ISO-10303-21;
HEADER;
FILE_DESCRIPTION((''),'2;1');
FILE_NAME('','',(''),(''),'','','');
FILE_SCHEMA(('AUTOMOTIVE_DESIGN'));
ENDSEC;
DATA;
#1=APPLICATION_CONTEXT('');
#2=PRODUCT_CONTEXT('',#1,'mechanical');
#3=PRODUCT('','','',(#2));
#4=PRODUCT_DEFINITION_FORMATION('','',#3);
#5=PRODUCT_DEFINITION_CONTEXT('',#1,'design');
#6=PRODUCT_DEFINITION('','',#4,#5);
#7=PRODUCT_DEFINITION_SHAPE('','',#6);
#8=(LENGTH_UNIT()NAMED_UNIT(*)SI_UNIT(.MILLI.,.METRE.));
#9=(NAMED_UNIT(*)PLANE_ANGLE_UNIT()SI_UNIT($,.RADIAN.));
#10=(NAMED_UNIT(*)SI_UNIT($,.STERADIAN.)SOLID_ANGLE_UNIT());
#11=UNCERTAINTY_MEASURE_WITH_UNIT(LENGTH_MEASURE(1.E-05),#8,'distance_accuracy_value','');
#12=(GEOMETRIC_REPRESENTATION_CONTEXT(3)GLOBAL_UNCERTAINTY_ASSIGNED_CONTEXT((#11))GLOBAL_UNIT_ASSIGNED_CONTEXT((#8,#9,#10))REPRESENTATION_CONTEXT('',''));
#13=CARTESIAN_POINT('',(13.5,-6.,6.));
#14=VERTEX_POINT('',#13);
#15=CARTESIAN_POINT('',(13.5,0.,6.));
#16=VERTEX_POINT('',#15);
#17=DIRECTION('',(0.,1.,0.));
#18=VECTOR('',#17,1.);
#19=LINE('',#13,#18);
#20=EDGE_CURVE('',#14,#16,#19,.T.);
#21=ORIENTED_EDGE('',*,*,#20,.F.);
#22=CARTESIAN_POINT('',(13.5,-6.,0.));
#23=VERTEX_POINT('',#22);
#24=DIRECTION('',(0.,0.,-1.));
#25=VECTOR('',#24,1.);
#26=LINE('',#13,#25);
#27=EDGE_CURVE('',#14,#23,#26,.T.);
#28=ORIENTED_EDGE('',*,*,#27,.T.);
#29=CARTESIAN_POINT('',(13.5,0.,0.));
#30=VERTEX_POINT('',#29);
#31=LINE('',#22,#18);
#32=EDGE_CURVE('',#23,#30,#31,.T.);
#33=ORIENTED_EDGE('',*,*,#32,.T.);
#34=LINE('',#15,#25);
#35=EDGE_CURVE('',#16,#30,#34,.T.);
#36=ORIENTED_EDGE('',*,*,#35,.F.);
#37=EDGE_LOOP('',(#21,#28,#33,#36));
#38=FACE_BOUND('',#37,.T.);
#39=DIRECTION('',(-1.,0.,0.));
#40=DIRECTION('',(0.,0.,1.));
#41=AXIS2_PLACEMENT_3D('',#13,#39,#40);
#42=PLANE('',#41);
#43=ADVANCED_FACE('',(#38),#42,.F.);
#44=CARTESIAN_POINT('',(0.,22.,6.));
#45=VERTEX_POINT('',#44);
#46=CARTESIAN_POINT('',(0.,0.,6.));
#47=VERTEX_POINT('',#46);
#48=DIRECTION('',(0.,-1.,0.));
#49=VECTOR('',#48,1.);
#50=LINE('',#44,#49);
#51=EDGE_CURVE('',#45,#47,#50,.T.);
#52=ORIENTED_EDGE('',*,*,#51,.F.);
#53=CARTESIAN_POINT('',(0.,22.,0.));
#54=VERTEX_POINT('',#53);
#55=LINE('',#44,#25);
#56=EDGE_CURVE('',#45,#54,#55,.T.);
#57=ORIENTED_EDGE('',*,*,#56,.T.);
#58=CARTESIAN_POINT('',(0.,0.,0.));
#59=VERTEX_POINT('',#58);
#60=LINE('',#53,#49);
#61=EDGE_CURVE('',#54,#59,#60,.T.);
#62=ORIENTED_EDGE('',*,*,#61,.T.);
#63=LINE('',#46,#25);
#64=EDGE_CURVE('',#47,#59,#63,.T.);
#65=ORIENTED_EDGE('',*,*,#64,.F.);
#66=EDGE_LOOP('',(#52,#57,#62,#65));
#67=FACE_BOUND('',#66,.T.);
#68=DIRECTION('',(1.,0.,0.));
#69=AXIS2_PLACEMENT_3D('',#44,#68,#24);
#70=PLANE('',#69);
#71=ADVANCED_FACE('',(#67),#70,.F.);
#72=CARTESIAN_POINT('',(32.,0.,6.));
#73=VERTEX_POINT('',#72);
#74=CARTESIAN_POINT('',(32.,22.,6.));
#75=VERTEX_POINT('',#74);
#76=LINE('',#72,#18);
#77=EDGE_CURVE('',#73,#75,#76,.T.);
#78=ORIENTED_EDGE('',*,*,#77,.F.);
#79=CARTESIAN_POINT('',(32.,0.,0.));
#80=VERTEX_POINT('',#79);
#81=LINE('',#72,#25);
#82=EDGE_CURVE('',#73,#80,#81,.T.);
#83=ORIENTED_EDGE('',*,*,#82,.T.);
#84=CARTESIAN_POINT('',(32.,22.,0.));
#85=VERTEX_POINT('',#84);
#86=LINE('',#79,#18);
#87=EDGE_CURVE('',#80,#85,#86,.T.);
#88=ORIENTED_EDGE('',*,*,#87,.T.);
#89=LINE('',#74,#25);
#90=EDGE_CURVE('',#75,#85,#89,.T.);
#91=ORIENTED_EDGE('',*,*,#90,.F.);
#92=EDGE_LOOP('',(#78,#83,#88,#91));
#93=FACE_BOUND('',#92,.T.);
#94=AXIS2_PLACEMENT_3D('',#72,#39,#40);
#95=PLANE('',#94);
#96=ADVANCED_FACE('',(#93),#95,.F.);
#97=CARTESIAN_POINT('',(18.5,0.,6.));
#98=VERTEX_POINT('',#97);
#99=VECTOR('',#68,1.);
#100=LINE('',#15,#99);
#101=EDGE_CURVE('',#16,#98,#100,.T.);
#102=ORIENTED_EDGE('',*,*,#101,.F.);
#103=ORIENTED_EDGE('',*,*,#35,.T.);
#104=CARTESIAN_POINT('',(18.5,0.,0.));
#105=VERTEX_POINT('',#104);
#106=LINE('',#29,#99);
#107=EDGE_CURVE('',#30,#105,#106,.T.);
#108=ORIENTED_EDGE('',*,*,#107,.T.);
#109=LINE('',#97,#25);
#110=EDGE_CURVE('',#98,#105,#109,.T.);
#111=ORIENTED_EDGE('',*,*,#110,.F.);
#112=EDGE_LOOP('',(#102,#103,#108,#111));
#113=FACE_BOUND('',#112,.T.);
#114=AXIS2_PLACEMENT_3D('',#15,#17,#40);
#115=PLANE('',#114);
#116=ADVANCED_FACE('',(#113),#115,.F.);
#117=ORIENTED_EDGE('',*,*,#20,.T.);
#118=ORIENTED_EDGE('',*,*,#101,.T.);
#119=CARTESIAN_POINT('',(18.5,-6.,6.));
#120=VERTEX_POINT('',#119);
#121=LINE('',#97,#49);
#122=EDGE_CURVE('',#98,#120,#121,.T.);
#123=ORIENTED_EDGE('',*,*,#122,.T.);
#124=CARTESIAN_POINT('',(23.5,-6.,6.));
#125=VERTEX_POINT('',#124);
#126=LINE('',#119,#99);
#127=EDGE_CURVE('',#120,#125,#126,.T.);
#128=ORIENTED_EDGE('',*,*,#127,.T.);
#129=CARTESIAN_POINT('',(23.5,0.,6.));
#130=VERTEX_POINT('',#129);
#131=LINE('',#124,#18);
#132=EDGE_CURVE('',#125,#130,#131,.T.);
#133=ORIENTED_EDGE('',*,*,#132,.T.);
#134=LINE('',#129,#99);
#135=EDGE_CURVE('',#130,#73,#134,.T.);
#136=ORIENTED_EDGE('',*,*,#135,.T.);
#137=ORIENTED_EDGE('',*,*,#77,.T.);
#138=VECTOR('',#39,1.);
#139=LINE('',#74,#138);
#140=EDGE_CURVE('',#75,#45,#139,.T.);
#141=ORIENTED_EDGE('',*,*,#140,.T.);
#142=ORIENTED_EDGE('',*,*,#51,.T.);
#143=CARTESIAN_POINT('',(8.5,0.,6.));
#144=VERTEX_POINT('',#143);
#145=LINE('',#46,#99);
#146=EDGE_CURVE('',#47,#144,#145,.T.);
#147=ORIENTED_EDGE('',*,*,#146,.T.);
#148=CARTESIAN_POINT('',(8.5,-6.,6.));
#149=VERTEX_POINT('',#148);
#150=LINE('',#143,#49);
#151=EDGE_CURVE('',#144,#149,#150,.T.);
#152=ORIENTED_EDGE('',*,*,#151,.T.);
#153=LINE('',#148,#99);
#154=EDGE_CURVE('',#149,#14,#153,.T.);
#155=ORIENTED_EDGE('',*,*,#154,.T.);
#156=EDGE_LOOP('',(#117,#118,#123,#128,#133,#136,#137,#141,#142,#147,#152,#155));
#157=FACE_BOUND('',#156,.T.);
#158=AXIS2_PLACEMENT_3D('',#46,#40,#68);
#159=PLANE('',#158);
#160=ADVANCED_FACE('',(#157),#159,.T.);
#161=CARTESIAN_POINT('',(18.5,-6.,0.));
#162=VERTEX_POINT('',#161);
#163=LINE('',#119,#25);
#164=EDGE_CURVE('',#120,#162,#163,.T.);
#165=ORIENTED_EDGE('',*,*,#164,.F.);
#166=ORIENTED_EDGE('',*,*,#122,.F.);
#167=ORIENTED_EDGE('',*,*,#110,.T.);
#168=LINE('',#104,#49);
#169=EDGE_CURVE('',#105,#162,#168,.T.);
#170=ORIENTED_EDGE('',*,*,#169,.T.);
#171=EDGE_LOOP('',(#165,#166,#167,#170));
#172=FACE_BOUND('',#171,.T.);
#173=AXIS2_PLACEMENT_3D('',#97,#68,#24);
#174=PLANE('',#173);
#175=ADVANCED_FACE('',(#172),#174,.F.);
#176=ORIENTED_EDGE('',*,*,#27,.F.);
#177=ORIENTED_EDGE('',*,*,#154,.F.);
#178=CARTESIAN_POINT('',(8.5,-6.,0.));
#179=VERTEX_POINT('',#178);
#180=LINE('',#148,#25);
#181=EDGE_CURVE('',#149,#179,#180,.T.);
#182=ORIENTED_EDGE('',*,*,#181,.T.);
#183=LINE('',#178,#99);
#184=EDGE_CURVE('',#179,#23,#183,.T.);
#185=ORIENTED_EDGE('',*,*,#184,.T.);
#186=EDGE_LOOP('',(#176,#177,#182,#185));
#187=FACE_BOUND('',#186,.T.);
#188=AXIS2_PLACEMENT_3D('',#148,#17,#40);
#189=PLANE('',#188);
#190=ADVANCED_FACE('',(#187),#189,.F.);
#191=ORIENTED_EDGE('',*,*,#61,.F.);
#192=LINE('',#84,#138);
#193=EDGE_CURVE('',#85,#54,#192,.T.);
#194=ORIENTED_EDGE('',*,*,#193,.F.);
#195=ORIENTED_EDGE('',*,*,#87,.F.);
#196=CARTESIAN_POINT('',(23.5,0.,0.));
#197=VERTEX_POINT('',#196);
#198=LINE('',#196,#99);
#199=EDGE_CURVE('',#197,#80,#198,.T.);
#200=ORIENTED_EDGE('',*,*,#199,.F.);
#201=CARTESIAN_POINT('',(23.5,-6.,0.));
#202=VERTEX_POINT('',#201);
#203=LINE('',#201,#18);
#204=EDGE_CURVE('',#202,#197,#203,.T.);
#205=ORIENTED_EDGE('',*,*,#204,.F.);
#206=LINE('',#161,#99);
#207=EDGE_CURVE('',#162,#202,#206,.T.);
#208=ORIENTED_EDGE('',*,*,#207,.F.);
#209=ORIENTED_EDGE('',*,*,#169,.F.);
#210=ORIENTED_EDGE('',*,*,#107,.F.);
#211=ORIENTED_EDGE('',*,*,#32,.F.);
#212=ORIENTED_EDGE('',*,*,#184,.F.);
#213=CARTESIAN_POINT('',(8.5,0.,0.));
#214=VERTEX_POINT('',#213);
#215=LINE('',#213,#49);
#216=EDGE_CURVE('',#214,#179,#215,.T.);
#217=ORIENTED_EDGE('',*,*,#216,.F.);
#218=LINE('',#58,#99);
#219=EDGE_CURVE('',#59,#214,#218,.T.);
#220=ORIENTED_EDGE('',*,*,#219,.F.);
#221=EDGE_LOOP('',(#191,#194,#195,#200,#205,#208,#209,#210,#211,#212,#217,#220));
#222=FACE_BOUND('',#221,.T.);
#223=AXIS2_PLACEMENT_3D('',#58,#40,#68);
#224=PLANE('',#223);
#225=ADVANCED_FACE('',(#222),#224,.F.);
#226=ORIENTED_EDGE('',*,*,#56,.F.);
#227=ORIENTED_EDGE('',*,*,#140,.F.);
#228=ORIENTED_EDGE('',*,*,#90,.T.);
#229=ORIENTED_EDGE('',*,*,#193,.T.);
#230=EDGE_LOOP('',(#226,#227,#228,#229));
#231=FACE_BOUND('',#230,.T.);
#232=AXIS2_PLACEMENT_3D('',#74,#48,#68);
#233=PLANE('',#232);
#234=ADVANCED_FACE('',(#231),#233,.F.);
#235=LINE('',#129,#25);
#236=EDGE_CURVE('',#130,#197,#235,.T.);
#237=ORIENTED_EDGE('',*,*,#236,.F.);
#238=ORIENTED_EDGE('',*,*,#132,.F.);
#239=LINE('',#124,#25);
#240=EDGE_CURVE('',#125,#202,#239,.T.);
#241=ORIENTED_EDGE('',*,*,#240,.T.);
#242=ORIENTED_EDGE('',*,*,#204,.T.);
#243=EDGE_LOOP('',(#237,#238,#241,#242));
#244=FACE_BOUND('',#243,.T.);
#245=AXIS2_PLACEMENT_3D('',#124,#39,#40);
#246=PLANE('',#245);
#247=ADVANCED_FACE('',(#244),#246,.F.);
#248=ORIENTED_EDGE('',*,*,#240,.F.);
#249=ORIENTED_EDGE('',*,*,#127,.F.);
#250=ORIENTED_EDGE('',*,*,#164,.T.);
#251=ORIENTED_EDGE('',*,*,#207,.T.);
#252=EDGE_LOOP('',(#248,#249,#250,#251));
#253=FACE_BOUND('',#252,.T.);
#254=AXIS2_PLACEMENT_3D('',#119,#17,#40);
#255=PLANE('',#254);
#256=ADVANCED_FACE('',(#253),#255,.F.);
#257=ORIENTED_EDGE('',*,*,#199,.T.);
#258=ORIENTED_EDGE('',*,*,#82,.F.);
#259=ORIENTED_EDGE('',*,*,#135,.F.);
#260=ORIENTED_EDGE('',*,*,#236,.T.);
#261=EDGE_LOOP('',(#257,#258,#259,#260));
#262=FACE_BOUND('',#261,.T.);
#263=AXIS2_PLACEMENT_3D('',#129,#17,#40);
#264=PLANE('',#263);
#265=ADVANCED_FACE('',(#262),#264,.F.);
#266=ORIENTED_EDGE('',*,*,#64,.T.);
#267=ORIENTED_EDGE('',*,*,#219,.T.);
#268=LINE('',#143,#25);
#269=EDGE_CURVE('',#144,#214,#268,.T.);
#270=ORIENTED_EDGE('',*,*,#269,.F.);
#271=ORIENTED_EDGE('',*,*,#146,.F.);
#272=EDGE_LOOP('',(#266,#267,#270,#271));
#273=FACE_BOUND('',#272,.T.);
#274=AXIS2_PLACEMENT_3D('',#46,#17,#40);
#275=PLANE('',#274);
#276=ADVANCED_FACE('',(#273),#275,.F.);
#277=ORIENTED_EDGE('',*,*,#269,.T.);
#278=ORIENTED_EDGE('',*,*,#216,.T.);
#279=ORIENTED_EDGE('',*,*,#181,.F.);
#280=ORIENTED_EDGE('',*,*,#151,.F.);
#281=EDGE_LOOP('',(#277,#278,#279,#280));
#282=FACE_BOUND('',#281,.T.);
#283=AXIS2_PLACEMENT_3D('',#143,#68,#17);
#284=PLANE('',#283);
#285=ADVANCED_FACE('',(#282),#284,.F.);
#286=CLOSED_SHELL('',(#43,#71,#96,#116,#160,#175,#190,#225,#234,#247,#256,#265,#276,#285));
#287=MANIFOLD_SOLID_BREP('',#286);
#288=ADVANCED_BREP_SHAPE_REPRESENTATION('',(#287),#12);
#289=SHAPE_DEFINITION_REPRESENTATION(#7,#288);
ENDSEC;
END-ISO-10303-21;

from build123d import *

# Parameters (mm, degrees)
BOSS_EXTRUDE1_DEPTH = 6


with BuildPart() as part:
    # Sketch1 → Boss-Extrude1 (new body)
    with BuildSketch(Plane.XY):
        Polygon((0, 0), (8.5, 0), (8.5, -6), (13.5, -6), (13.5, 0), (18.5, 0), (18.5, -6), (23.5, -6), (23.5, 0), (32, 0), (32, 22), (0, 22), align=None)
    extrude(amount=BOSS_EXTRUDE1_DEPTH)


solid = part.part
